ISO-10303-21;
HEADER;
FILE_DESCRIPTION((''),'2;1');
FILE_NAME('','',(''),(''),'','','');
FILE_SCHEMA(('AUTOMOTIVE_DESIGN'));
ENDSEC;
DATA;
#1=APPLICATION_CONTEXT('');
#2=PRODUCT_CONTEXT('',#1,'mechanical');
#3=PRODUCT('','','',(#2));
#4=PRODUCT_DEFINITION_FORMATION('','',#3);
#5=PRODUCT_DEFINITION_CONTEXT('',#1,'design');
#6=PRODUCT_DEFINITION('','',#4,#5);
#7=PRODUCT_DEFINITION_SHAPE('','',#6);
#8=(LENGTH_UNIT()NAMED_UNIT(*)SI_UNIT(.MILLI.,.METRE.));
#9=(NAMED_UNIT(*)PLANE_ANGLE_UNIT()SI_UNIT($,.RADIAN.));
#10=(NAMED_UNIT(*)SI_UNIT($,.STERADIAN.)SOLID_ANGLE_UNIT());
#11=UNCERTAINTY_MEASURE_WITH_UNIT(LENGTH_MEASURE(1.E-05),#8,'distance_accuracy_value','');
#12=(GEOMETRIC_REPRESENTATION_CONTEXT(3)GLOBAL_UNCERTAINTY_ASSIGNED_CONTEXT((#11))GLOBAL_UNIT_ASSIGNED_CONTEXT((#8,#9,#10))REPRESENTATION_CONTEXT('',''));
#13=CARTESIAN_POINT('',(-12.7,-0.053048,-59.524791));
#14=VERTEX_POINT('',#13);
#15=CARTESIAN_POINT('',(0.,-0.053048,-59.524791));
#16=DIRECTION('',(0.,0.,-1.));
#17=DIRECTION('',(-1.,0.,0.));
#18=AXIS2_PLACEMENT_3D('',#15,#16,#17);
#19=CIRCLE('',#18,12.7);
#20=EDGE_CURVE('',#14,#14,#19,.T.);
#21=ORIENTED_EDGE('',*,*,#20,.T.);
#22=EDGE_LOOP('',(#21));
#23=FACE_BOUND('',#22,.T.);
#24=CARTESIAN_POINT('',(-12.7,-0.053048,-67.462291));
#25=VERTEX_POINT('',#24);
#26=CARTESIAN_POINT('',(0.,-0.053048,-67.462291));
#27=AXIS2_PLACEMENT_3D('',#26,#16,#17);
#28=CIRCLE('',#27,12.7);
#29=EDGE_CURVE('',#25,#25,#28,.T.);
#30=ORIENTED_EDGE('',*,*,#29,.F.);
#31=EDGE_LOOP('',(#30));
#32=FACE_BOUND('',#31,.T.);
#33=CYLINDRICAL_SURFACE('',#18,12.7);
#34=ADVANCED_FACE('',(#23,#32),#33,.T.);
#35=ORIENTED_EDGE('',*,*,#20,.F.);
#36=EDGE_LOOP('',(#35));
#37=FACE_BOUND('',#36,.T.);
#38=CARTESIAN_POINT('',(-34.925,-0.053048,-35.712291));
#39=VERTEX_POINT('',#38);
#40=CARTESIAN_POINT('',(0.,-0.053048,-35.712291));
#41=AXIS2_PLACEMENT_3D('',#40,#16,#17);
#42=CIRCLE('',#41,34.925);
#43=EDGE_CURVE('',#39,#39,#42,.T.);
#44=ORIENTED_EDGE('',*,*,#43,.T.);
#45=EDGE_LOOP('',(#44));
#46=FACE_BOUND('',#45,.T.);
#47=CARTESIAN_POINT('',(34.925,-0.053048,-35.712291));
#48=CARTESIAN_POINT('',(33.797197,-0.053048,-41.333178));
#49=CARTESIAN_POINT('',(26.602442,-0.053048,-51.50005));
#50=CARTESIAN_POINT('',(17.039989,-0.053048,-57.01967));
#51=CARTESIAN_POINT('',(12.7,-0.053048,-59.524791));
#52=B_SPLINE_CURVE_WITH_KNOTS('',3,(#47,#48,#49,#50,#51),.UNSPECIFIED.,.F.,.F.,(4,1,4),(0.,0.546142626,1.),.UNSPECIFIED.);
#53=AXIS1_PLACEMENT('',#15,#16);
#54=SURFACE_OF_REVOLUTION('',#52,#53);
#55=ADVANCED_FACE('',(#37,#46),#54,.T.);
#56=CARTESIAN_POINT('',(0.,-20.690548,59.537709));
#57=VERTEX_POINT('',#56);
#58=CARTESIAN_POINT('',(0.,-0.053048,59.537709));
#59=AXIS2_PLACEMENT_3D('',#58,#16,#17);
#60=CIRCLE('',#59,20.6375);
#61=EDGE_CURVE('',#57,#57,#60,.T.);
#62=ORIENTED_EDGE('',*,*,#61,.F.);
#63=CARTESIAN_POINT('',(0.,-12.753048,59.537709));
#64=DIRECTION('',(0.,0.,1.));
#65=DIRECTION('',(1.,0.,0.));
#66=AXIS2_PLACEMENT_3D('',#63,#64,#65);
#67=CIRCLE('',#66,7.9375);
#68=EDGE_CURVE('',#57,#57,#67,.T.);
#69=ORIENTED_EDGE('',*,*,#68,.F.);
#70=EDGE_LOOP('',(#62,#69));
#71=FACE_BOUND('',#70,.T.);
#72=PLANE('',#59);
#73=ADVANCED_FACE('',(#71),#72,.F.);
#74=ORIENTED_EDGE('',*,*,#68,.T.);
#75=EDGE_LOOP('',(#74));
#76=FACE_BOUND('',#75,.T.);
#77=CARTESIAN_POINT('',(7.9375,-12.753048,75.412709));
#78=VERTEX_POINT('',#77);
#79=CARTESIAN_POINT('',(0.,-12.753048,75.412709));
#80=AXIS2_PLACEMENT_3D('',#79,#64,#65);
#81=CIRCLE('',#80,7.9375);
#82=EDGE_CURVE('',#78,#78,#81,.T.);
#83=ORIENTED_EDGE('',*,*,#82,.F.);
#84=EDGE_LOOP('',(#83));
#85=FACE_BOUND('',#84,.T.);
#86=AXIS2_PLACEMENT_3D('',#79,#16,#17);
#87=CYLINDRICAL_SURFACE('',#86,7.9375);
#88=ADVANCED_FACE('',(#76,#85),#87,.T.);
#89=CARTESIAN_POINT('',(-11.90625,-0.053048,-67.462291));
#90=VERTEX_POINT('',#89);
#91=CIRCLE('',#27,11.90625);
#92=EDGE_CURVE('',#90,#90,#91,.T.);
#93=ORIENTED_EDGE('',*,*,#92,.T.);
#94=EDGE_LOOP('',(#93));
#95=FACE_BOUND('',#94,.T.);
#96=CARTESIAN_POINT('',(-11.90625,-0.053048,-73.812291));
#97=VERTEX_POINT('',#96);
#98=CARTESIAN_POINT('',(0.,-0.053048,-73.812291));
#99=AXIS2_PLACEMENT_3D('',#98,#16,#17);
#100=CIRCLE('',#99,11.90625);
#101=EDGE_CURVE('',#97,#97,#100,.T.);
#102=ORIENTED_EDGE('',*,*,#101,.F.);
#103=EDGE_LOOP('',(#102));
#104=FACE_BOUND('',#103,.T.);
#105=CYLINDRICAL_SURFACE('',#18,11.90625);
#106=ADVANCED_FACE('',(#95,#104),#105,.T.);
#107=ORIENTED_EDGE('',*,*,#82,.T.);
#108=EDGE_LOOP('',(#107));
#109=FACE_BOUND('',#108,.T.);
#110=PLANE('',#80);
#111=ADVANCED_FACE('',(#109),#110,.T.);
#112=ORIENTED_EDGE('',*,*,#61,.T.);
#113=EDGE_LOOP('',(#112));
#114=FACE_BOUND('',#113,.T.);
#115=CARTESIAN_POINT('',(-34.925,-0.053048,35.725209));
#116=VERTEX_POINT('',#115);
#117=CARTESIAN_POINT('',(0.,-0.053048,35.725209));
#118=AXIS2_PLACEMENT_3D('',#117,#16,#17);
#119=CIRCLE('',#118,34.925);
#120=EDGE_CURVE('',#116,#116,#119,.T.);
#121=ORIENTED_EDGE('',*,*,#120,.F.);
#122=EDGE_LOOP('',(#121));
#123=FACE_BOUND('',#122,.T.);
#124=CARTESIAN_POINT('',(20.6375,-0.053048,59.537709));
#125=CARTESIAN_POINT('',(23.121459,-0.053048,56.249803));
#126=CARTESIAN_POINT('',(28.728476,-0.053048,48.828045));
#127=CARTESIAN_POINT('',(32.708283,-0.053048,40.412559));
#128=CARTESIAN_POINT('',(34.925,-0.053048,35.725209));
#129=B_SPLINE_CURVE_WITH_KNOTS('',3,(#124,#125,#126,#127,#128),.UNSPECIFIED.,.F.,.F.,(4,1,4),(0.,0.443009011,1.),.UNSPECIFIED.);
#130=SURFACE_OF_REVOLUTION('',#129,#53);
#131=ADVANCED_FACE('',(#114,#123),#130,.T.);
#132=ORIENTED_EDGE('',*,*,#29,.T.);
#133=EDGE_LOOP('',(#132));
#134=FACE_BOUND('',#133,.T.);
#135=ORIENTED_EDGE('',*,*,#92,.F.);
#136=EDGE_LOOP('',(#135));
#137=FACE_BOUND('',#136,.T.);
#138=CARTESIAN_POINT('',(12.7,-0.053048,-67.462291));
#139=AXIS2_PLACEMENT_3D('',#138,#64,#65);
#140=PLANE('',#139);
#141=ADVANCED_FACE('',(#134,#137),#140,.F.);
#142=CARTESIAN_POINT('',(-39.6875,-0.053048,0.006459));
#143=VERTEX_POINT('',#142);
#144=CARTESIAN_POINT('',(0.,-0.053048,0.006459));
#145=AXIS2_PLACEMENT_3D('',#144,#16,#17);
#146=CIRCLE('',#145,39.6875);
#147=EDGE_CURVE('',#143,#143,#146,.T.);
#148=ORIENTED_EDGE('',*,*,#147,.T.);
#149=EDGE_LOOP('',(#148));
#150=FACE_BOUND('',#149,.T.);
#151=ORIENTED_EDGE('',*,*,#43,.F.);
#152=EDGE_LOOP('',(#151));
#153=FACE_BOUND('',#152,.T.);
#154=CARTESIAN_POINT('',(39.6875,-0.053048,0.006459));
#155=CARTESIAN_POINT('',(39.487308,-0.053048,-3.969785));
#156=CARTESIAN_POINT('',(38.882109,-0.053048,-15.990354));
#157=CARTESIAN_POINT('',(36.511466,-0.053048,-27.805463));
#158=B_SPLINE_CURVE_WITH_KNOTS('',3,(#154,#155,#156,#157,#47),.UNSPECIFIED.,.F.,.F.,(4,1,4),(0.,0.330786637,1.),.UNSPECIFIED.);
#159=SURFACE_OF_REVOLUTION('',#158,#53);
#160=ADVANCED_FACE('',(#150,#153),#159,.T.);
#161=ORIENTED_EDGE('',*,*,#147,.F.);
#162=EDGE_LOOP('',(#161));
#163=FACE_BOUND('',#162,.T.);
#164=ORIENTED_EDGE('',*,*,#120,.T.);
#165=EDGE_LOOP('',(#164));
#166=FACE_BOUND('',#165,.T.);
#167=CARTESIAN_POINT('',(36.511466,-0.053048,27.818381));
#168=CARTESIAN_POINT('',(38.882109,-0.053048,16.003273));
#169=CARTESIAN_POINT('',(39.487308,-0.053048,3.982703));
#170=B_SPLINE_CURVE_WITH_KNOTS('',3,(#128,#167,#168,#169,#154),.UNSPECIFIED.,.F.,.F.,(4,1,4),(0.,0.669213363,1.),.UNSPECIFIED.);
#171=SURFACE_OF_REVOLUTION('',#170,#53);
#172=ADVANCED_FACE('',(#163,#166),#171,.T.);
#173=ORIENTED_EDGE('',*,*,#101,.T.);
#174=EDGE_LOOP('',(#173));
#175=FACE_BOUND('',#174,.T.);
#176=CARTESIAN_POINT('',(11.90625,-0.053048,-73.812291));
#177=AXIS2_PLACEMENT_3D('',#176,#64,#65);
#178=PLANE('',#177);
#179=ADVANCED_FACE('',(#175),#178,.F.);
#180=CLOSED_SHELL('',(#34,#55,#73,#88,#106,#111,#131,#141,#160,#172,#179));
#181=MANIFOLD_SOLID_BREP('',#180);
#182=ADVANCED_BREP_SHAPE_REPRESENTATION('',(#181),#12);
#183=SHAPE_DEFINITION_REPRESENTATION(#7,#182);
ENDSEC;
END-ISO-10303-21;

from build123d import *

# Parameters (mm, degrees)
SKETCH4_R            = 12.7
BAG_ATTACHMENT_DEPTH = 25.4
SCALE1_SCALE         = 0.625


with BuildPart() as part:
    # Sketch1 → body (revolve)
    with BuildSketch(Plane(origin=(0, 0, 0), x_dir=(1, 0, 0), z_dir=(0, 1, 0))):
        with BuildLine():
            Line((0, 95.25), (0, -95.25))
            Line((0, -95.25), (33.02, -95.25))
            add(Edge.make_bspline(
                [(55.88, -57.15), (52.333253403, -64.649759535), (45.965562244, -78.114536673), (36.994334659, -89.98935048), (33.02, -95.25)],
                knots=[0, 0, 0, 0, 0.556990989, 1, 1, 1, 1], degree=3))
            add(Edge.make_bspline(
                [(55.88, -57.15), (58.418345497, -44.49907482), (62.211374207, -25.594901819), (63.179693062, -6.361990172), (63.5, 0)],
                knots=[0, 0, 0, 0, 0.669213363, 1, 1, 1, 1], degree=3))
            add(Edge.make_bspline(
                [(55.88, 57.15), (58.418345497, 44.49907482), (62.211374207, 25.594901819), (63.179693062, 6.361990172), (63.5, 0)],
                knots=[0, 0, 0, 0, 0.669213363, 1, 1, 1, 1], degree=3))
            add(Edge.make_bspline(
                [(20.32, 95.25), (27.263983104, 91.241807371), (42.563906598, 82.410414831), (54.075514966, 66.14341921), (55.88, 57.15)],
                knots=[0, 0, 0, 0, 0.453857374, 1, 1, 1, 1], degree=3))
            Line((20.32, 95.25), (20.32, 107.95))
            Line((20.32, 107.95), (19.05, 107.95))
            Line((19.05, 107.95), (19.05, 118.11))
            Line((19.05, 118.11), (0, 118.11))
            Line((0, 118.11), (0, 107.95))
            Line((0, 107.95), (0, 95.25))
        make_face()
    revolve(axis=Axis((0, 0, -95.25), (0, 0, 1)))

    # Sketch4 → bag_attachment (add)
    with BuildSketch(Plane.XY.offset(95.25)):
        with Locations((0, -20.32)):
            Circle(SKETCH4_R)
    extrude(amount=BAG_ATTACHMENT_DEPTH)


with BuildPart() as part_1:
    # Scale1: scaled about (-8.591e-06, -0.141365899, 0.01703512)
    add(part.part.scale(SCALE1_SCALE).moved(Location((-3.222e-06, -0.053012212, 0.00638817))))


solid = part_1.part
